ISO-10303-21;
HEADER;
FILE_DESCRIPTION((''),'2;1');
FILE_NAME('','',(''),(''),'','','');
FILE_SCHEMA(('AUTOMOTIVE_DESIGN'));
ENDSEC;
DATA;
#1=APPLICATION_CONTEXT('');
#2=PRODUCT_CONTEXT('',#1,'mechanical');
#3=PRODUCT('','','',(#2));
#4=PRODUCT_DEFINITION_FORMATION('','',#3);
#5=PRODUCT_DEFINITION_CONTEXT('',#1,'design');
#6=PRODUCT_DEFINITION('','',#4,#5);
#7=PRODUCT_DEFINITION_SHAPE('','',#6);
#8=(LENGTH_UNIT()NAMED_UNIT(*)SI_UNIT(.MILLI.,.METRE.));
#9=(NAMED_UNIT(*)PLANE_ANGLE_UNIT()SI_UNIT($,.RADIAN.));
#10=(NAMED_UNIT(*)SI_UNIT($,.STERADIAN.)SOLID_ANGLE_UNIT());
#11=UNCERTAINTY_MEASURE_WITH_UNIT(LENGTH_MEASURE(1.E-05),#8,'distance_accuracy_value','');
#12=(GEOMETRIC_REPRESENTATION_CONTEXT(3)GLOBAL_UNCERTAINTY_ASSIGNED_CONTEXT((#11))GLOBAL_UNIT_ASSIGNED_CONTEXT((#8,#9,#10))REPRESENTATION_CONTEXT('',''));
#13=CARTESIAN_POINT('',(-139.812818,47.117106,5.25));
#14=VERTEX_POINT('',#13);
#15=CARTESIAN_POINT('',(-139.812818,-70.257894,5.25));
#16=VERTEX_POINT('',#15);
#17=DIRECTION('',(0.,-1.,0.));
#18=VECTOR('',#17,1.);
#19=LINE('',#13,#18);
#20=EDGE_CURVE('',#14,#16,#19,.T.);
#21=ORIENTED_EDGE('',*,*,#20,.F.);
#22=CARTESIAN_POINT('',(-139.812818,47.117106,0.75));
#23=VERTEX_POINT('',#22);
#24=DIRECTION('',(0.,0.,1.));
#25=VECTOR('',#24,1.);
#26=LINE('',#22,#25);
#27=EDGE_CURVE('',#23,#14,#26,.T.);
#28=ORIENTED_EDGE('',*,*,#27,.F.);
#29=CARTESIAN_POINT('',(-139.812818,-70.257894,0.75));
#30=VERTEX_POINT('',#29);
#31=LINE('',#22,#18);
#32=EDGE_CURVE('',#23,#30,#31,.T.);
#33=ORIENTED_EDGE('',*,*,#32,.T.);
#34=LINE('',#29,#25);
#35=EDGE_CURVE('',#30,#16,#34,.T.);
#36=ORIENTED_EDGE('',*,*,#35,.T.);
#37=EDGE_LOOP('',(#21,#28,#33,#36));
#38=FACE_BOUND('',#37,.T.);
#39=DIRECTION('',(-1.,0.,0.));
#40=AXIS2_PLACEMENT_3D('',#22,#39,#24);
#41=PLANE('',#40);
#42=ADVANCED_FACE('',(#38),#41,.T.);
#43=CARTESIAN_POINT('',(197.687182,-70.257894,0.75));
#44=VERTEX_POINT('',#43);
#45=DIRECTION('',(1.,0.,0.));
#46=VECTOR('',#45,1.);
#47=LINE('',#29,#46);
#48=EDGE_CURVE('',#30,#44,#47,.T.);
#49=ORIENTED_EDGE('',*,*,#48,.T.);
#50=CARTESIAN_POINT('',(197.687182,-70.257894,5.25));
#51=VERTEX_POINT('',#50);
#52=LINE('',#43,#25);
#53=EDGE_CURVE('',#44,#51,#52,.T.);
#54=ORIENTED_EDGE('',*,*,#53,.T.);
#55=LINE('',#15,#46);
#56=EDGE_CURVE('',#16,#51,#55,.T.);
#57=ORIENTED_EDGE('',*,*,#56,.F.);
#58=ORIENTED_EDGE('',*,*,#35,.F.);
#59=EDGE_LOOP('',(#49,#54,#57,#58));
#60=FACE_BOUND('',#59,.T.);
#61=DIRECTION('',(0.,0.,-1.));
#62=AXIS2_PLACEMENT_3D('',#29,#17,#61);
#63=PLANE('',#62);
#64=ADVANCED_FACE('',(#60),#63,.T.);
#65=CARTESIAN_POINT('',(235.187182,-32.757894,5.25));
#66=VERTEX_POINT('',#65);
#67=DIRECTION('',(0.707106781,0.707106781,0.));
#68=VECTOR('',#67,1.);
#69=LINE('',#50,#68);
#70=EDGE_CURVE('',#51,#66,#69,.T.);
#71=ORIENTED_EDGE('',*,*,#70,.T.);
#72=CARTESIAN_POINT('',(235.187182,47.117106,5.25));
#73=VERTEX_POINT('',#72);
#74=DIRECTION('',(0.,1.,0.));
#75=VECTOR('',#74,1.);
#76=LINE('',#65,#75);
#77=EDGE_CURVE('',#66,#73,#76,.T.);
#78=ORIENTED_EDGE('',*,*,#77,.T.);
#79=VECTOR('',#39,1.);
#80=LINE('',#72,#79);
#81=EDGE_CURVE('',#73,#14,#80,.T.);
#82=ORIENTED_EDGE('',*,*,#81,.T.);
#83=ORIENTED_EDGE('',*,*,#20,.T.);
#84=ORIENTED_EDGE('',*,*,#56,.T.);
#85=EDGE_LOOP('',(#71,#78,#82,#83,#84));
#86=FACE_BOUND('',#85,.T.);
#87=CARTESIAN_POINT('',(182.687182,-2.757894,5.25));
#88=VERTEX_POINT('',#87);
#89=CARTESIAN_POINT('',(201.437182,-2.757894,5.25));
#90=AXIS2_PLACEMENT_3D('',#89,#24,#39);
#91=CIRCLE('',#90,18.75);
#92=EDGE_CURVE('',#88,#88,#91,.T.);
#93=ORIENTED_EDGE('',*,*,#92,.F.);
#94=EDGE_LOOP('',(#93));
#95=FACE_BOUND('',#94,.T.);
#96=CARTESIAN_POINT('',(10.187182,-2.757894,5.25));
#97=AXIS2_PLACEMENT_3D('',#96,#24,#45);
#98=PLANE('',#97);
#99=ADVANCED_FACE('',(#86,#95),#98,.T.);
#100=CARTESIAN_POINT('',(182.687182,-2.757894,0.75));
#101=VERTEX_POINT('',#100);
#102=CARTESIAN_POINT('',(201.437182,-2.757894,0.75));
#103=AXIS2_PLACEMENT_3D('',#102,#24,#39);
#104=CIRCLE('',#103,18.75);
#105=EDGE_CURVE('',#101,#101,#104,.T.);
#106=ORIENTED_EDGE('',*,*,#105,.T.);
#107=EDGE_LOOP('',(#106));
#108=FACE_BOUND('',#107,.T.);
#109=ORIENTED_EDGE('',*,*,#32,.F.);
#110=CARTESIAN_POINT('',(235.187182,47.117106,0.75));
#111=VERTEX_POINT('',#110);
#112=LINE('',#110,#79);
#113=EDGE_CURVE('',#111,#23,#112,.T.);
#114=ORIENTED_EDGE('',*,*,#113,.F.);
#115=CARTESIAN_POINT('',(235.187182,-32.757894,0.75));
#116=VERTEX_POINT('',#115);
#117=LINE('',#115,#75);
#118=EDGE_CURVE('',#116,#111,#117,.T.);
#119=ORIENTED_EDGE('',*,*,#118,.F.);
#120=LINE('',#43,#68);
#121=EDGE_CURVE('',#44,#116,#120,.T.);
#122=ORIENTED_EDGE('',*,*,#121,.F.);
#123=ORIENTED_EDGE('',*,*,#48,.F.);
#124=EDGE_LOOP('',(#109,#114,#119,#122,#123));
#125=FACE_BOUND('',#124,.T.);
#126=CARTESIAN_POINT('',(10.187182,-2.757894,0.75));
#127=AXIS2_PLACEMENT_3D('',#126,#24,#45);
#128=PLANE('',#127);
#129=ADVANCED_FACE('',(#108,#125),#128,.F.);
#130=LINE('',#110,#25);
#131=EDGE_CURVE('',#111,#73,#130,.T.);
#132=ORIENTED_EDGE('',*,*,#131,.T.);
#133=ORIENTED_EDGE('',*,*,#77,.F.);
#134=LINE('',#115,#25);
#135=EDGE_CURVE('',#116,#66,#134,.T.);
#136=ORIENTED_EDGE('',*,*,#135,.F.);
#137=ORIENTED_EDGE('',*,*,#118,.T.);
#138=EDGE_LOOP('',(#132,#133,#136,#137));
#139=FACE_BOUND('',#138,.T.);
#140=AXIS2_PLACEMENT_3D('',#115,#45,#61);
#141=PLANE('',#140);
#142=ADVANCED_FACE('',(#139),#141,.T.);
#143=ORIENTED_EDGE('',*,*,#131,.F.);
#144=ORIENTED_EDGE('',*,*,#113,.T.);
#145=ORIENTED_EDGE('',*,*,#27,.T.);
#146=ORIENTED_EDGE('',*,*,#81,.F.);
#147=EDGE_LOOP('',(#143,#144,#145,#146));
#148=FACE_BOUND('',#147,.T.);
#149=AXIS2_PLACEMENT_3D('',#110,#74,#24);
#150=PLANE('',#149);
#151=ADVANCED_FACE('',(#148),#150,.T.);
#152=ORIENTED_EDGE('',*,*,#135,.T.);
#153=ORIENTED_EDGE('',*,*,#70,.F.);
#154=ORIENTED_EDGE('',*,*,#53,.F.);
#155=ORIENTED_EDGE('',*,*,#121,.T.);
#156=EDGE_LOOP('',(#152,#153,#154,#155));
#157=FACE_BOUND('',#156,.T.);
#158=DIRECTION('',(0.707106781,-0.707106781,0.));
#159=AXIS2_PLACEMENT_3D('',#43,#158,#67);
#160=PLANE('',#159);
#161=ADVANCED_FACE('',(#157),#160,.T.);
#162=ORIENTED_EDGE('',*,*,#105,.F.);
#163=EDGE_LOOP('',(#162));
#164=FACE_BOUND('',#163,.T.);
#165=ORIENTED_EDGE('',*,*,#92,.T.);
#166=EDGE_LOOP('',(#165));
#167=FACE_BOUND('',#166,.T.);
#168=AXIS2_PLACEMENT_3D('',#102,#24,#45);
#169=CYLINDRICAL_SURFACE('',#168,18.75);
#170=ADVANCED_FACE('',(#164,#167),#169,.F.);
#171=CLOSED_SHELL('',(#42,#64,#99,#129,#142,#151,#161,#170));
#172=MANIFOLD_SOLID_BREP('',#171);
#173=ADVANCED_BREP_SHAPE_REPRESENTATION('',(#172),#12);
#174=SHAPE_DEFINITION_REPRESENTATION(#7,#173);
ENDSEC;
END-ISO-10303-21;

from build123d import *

# Parameters (mm, degrees)
SKETCH1_R           = 25
BOSS_EXTRUDE1_DEPTH = 6
SCALE1_SCALE        = 0.75


with BuildPart() as part:
    # Sketch1 → Boss-Extrude1 (new body)
    with BuildSketch(Plane.XY.offset(6)):
        Polygon((-200, -90), (250, -90), (300, -40), (300, 66.5), (-200, 66.5), align=None)
        with Locations((255, 0)):
            Circle(SKETCH1_R, mode=Mode.SUBTRACT)
    extrude(amount=-BOSS_EXTRUDE1_DEPTH)


with BuildPart() as part_1:
    # Scale1: scaled about (40.748726514, -11.031575069, 3)
    add(part.part.scale(SCALE1_SCALE).moved(Location((10.187181628, -2.757893767, 0.75))))


solid = part_1.part
